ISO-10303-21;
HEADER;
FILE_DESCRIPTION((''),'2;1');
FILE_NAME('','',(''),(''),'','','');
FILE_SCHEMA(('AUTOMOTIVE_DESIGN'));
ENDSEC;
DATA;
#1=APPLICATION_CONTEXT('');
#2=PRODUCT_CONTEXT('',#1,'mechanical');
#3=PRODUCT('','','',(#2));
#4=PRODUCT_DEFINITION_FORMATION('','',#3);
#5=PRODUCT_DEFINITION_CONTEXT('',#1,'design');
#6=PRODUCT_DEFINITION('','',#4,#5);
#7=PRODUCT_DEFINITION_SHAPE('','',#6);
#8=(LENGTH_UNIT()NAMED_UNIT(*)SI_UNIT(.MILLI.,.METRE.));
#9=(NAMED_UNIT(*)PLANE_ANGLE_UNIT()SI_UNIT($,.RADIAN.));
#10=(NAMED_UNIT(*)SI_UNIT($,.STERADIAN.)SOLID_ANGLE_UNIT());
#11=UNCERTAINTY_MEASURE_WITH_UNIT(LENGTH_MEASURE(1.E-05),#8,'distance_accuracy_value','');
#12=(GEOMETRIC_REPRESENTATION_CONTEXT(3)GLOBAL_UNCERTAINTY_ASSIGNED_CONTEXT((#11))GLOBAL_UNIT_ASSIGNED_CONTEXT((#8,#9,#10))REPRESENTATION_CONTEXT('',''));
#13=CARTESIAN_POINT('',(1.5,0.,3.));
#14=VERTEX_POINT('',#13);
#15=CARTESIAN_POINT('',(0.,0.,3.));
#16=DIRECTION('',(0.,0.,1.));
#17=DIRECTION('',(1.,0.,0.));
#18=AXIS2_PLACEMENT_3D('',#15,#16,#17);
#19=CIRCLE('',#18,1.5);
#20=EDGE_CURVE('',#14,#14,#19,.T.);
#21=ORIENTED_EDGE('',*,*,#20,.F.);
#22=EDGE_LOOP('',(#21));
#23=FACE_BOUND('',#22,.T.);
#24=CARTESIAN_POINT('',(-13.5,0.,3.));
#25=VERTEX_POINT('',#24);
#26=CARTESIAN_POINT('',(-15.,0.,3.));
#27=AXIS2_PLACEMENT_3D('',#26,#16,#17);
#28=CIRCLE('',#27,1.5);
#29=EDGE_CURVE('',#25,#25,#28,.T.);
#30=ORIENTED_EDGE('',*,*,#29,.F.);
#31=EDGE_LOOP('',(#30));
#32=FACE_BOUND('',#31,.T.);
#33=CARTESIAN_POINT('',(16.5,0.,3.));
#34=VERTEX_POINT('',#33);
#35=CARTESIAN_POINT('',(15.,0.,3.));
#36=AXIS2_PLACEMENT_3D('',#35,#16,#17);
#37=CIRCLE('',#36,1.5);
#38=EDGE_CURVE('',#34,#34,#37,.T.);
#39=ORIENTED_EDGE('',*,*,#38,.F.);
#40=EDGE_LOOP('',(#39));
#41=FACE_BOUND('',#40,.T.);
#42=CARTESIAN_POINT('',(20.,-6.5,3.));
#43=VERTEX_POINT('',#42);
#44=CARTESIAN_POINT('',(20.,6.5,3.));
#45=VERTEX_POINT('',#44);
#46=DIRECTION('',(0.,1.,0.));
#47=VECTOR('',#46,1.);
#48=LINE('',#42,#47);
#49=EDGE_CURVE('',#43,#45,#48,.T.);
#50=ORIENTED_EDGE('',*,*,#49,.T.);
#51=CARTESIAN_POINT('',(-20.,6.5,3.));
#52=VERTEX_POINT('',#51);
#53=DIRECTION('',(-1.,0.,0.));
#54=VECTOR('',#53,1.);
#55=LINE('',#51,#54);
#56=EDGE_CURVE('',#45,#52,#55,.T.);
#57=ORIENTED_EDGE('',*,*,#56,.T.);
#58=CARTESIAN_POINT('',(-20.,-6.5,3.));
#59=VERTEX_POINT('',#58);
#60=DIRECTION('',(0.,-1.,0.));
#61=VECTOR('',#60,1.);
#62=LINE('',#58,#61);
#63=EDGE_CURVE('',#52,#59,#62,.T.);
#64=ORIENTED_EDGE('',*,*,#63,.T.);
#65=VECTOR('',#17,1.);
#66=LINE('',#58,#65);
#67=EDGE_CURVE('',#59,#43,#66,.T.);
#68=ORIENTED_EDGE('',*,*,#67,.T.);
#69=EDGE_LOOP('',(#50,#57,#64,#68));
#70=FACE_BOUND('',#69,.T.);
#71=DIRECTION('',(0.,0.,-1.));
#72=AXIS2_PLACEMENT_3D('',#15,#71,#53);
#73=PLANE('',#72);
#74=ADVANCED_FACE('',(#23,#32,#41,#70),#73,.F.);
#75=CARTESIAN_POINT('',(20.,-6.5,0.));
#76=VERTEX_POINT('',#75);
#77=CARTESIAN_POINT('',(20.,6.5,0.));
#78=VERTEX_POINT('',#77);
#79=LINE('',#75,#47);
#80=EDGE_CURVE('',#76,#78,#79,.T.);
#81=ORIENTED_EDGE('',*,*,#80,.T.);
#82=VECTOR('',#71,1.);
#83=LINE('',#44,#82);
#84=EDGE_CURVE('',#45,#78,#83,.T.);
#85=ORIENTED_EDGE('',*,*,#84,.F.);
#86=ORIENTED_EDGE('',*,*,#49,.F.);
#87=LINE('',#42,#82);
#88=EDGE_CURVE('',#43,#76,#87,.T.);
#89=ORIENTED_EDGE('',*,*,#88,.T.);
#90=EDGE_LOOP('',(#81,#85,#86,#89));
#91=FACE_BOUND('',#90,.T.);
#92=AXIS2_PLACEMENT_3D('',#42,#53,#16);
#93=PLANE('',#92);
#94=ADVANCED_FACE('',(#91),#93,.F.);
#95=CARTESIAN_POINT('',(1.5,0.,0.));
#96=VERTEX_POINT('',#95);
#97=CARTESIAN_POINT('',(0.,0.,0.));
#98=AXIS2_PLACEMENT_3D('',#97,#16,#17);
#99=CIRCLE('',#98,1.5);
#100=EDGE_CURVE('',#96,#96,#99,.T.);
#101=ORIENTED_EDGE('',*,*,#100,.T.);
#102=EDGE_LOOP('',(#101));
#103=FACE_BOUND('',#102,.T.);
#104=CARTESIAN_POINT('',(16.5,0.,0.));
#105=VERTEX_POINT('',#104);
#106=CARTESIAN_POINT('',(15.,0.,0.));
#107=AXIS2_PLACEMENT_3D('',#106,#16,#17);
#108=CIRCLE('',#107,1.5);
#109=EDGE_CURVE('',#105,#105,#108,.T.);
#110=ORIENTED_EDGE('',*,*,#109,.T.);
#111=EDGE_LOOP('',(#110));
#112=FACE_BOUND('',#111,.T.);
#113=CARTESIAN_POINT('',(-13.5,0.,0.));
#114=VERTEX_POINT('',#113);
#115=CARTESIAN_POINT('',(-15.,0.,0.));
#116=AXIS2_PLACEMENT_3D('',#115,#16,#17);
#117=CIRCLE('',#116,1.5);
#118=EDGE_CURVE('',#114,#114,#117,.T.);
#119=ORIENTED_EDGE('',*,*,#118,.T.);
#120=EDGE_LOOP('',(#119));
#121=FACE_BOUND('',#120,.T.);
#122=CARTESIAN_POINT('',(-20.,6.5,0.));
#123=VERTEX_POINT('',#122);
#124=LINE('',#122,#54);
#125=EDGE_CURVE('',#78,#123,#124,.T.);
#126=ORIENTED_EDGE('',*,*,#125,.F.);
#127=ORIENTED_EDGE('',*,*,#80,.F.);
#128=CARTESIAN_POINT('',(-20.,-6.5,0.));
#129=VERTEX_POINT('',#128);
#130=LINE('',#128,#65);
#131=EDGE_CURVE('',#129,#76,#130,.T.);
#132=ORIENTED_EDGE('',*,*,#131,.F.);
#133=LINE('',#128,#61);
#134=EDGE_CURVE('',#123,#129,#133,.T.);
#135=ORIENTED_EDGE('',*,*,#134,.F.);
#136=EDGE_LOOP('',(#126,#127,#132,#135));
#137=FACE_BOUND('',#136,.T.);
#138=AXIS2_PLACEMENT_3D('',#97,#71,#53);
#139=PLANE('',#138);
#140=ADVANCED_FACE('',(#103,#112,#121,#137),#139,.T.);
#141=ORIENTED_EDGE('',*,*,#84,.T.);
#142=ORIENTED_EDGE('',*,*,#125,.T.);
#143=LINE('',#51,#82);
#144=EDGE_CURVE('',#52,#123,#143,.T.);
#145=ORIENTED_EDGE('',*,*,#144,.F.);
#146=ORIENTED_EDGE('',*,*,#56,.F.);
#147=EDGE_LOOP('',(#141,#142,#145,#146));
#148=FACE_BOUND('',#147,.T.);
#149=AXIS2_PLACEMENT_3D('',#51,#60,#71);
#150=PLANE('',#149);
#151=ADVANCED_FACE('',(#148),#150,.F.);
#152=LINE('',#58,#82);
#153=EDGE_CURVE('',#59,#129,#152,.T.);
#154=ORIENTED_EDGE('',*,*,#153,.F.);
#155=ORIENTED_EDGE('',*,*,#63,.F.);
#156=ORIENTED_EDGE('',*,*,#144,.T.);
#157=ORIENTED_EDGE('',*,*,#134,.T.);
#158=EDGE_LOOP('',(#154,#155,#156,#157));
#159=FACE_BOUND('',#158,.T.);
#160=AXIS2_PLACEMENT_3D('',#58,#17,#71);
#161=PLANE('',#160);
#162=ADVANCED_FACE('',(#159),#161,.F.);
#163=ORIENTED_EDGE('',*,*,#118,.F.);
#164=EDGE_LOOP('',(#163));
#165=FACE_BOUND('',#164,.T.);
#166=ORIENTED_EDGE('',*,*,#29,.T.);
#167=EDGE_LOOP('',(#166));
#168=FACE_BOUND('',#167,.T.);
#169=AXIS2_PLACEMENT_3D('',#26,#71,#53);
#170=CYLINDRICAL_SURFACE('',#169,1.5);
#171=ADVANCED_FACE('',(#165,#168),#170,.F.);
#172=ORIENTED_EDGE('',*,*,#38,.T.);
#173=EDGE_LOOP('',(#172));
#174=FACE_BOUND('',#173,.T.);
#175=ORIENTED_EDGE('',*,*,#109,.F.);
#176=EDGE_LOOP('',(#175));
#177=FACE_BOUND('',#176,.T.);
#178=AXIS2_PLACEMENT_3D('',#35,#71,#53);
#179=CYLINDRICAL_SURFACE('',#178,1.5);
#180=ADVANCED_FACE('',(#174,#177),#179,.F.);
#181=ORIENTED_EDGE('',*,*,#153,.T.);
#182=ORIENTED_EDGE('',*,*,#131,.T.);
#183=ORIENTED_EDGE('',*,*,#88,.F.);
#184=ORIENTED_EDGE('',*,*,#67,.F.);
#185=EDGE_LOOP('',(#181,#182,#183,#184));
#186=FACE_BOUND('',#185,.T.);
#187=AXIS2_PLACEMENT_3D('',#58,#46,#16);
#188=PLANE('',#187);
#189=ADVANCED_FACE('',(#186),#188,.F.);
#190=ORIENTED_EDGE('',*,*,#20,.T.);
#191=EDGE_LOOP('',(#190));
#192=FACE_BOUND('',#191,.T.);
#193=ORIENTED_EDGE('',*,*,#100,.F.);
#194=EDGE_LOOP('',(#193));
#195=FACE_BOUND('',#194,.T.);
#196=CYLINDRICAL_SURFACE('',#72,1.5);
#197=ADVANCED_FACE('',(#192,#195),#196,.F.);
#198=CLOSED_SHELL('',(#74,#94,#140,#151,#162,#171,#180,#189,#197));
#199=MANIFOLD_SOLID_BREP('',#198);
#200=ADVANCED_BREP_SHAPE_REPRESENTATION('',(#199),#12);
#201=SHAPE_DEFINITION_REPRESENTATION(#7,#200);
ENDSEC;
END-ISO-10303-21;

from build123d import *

# Parameters (mm, degrees)
SKETCH_1_W      = 40
SKETCH_1_H      = 13
SKETCH_1_R      = 1.5
EXTRUDE_1_DEPTH = 3


with BuildPart() as part:
    # 草圖1 → 填料-伸長1 (new body)
    with BuildSketch(Plane.XY):
        Rectangle(SKETCH_1_W, SKETCH_1_H)
        Circle(SKETCH_1_R, mode=Mode.SUBTRACT)
        with Locations((-15, 0)):
            Circle(SKETCH_1_R, mode=Mode.SUBTRACT)
        with Locations((15, 0)):
            Circle(SKETCH_1_R, mode=Mode.SUBTRACT)
    extrude(amount=EXTRUDE_1_DEPTH)


solid = part.part
